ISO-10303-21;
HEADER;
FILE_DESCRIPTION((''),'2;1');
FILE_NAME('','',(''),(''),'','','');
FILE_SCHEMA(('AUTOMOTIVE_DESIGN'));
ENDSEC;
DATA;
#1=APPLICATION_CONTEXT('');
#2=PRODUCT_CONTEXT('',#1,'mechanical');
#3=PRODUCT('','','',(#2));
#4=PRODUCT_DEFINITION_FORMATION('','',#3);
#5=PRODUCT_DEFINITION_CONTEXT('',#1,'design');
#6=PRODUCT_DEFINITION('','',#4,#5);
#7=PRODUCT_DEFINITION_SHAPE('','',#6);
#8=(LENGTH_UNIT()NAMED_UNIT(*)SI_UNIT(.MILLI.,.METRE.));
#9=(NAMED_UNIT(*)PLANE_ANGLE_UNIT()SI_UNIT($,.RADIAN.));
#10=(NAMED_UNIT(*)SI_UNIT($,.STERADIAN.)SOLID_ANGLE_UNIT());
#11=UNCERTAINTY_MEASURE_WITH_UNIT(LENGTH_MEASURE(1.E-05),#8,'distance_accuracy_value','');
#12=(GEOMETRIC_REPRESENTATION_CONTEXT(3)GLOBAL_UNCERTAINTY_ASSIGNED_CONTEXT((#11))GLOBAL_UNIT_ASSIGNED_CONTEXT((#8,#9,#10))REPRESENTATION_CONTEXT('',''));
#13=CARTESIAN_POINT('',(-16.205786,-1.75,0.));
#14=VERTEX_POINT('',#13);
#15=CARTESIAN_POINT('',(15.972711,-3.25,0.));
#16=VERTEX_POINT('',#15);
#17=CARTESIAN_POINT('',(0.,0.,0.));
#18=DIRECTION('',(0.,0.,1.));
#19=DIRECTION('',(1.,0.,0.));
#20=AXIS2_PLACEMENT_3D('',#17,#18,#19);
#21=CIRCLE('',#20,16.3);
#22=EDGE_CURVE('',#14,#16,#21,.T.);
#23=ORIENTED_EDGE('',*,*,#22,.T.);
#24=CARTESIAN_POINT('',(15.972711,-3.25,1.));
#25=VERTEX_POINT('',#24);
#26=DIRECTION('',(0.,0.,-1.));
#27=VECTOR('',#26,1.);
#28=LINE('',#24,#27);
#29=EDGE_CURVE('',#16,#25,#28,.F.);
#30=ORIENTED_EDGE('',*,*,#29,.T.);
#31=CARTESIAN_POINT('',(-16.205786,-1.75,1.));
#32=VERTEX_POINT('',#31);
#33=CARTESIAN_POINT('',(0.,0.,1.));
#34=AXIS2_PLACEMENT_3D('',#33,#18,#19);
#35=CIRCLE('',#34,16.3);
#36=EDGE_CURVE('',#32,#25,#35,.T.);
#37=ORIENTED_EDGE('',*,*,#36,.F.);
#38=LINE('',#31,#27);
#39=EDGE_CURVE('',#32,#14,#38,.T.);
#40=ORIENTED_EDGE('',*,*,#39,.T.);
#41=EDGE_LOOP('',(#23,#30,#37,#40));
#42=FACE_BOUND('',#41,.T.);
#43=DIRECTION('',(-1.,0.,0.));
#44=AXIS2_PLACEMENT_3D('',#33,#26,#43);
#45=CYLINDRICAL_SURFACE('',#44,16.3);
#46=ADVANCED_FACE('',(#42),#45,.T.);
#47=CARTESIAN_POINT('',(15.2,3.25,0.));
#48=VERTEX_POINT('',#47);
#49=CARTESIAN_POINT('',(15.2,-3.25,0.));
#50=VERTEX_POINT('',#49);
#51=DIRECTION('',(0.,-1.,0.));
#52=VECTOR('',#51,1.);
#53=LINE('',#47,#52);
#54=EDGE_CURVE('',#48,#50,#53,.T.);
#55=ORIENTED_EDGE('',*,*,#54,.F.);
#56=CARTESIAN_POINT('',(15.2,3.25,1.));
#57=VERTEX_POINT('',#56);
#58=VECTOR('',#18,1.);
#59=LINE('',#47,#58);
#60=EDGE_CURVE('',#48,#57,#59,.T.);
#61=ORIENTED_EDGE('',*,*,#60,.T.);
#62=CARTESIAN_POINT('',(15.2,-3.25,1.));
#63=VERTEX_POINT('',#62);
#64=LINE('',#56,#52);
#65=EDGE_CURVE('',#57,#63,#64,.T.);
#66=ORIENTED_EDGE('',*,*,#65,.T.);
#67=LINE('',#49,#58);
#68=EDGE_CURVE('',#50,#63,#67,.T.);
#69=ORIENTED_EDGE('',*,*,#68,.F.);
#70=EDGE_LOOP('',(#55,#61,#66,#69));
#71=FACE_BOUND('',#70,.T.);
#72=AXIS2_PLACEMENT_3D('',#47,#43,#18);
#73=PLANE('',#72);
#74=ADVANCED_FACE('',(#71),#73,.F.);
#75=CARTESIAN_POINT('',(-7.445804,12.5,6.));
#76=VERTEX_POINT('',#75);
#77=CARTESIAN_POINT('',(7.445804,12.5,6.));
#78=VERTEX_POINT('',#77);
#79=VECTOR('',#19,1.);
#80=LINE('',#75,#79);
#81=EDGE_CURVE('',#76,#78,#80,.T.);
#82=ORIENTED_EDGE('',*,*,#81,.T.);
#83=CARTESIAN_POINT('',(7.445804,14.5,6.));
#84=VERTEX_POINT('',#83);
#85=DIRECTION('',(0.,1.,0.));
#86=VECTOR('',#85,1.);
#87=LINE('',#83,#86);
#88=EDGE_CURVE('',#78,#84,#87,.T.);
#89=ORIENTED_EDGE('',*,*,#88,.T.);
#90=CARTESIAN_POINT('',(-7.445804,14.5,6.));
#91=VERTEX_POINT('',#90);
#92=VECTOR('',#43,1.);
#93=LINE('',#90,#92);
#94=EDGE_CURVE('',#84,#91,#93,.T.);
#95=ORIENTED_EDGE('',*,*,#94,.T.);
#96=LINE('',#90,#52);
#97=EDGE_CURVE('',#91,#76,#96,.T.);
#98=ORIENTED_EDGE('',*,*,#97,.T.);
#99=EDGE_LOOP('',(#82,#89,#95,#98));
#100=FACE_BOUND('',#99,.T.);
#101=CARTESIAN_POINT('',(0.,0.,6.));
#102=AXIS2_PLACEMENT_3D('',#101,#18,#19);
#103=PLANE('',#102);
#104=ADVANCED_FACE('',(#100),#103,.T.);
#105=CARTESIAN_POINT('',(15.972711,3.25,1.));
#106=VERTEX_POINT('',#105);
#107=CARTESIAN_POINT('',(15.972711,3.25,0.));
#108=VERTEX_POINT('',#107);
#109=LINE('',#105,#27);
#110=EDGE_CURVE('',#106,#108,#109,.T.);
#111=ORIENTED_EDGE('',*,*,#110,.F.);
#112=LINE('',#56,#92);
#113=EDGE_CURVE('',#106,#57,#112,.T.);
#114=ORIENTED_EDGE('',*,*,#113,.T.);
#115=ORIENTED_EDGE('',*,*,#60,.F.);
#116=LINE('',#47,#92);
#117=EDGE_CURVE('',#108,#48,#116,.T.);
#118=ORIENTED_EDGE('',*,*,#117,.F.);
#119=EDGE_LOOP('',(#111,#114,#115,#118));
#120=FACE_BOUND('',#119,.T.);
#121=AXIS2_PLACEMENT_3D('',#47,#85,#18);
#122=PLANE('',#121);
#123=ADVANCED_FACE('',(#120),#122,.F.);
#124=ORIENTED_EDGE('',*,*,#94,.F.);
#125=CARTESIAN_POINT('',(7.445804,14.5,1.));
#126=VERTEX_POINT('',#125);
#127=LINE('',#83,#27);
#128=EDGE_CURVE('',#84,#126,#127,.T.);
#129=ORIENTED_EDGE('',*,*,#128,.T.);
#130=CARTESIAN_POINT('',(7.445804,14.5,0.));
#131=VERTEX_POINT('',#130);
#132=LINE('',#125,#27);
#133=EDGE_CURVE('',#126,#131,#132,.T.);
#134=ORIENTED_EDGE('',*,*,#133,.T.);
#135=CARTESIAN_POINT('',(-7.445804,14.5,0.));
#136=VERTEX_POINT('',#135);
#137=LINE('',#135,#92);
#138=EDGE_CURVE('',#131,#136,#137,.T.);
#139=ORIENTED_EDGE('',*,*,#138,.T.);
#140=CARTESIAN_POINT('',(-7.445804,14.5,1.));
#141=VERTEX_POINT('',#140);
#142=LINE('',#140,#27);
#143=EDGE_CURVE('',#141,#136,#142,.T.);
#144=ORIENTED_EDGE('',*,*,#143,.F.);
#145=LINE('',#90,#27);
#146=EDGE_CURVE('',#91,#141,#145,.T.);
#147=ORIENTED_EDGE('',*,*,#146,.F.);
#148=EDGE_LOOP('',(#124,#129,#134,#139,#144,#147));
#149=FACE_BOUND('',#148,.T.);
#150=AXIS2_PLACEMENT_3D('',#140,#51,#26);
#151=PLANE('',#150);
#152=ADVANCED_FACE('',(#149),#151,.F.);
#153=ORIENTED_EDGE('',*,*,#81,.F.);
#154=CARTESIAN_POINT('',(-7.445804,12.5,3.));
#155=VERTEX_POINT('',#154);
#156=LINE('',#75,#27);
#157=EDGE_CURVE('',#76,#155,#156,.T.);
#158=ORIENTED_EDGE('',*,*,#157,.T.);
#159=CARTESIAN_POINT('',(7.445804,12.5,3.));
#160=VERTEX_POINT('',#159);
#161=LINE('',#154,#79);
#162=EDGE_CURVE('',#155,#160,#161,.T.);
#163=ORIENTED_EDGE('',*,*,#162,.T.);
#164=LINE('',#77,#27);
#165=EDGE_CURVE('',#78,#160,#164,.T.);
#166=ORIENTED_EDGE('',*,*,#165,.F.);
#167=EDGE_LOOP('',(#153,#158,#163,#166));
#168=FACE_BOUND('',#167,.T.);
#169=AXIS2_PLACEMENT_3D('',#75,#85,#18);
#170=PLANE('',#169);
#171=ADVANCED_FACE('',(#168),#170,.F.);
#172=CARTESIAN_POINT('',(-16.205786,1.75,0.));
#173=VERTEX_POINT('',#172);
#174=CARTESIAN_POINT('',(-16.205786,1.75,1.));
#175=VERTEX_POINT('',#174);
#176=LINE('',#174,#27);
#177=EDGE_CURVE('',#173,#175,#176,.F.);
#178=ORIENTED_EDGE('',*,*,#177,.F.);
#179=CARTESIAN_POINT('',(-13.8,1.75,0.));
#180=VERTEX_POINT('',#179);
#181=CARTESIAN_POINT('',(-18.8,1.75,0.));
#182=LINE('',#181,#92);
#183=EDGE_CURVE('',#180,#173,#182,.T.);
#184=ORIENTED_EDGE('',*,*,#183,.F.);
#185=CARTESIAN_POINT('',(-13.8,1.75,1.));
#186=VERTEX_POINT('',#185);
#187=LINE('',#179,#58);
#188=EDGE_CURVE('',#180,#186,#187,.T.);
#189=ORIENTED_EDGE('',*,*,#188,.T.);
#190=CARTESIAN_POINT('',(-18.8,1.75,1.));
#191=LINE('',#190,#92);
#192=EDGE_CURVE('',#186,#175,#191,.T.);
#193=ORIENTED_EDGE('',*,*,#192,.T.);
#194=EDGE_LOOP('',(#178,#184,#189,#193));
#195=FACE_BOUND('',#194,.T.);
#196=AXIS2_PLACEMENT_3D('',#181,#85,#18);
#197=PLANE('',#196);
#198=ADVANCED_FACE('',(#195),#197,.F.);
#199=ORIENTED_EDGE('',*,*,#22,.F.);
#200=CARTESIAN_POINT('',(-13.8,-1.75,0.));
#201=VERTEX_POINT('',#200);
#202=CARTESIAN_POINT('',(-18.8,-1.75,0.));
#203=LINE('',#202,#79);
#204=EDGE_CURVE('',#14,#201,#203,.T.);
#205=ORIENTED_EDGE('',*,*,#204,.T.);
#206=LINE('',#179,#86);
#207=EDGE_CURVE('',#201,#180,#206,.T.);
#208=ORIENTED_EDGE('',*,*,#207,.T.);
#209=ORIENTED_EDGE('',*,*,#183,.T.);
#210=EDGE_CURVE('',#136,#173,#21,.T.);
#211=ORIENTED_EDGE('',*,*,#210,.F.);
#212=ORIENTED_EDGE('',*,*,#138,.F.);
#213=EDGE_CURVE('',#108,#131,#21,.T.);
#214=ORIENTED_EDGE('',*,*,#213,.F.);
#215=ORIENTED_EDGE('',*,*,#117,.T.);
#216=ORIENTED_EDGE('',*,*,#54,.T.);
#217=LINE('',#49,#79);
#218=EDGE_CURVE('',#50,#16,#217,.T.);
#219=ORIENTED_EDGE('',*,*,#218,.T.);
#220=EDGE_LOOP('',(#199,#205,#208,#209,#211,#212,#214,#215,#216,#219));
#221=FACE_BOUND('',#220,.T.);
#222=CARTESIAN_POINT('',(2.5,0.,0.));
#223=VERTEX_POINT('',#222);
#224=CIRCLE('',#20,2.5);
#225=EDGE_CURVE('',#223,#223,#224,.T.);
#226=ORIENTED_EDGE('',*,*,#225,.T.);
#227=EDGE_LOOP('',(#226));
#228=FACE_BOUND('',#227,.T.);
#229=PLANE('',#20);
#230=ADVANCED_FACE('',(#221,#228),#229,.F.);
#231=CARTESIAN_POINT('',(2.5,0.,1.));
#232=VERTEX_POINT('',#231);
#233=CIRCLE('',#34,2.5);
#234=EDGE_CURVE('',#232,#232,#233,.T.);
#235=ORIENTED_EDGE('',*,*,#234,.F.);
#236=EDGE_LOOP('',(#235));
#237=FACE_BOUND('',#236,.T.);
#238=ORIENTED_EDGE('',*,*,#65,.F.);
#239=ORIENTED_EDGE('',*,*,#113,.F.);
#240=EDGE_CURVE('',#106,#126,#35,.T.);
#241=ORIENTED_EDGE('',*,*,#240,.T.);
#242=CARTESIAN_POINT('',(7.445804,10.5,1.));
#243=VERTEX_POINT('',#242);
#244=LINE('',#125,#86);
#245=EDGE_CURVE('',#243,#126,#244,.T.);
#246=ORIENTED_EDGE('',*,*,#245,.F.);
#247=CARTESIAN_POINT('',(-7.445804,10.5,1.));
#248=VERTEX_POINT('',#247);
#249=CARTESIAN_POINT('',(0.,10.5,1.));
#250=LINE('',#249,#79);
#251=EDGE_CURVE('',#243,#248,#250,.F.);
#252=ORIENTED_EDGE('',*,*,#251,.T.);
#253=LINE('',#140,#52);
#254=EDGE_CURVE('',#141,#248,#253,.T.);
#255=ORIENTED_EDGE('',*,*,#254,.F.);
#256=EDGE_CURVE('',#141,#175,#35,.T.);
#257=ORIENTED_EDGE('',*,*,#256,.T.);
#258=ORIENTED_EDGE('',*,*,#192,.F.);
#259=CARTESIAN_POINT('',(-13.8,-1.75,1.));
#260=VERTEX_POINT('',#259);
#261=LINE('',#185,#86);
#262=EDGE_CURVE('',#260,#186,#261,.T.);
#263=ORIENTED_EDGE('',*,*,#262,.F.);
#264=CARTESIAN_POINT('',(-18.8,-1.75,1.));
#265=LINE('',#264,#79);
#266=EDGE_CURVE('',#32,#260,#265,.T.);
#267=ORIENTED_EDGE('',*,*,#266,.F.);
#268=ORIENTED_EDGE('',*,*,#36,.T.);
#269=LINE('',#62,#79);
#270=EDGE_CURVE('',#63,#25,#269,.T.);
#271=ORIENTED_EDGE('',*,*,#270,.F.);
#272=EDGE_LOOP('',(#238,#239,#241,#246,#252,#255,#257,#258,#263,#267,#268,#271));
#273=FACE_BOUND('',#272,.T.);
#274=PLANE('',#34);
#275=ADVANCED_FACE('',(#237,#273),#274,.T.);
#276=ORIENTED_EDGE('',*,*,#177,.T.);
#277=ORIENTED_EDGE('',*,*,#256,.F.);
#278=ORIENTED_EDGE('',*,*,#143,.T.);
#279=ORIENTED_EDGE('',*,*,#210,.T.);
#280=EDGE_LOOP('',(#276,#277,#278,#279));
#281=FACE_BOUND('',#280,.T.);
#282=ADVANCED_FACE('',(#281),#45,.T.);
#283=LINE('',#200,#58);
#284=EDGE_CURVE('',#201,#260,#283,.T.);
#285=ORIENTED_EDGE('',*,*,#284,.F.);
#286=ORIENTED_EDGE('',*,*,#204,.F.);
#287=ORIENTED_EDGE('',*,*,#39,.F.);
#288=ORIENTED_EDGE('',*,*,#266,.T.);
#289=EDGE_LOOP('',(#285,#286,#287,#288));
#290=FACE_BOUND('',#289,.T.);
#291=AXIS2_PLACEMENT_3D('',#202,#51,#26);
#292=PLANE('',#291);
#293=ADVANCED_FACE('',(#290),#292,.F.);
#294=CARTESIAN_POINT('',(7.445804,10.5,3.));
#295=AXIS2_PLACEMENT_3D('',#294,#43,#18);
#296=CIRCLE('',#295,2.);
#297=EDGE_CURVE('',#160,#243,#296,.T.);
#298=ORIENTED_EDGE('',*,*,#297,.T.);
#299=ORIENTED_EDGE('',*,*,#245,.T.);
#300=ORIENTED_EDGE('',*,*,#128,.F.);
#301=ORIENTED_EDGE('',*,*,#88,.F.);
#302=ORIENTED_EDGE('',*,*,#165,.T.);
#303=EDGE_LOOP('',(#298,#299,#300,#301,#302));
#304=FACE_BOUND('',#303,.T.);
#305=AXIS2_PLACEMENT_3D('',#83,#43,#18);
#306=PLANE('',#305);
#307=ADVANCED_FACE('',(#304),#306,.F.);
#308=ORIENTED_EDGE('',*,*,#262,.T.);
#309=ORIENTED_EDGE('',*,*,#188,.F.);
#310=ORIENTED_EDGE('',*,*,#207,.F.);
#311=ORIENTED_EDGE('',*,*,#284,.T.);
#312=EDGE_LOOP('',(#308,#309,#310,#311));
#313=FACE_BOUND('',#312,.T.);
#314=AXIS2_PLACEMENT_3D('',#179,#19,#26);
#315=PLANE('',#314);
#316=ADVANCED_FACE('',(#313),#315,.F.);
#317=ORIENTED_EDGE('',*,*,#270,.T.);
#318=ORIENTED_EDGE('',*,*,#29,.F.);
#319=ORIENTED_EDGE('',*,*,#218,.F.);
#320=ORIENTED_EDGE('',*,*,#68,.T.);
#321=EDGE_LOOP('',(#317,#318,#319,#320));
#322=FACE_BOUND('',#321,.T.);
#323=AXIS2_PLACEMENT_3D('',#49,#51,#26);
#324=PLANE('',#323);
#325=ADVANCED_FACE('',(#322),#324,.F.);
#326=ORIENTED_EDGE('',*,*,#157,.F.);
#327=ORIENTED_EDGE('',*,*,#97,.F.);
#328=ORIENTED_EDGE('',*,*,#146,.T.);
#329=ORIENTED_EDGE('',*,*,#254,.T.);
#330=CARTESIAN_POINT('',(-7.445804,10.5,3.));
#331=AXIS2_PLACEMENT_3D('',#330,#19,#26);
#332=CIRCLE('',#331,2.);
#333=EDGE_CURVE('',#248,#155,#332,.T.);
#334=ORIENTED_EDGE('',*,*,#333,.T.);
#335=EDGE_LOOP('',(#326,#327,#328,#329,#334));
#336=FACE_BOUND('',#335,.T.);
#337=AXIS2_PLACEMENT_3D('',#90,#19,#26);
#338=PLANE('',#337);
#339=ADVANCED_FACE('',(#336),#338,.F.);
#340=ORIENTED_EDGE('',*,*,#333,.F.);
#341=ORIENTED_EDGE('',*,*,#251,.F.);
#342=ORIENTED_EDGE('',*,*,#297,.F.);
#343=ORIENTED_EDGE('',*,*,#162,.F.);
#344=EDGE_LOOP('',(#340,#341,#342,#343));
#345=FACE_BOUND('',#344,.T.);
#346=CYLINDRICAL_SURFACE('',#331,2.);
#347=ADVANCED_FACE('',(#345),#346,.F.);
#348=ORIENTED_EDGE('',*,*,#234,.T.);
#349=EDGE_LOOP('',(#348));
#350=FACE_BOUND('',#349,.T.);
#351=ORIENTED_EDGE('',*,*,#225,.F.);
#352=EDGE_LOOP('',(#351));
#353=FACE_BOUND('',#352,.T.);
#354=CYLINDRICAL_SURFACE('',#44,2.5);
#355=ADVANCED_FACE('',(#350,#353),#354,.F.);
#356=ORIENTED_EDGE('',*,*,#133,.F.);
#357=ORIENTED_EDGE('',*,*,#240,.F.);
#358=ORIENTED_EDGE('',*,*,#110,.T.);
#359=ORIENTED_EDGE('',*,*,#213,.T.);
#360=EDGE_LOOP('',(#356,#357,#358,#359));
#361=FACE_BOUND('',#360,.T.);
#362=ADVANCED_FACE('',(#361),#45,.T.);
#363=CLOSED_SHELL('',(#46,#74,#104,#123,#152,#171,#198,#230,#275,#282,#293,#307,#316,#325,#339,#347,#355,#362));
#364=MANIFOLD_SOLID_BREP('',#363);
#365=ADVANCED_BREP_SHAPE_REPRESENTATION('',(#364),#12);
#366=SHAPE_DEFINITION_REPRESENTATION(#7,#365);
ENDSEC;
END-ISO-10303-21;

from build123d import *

# Parameters (mm, degrees)
SKETCH_1_R          = 2.5
EXTRUDE_1_DEPTH     = 1
SKETCH_2_W          = 5
SKETCH_2_H          = 3.5
SKETCH_2_W_2        = 2
SKETCH_2_H_2        = 6.5
CUT_EXTRUDE_1_DEPTH = 2
SKETCH_3_W          = 14.891608376
SKETCH_3_H          = 2
EXTRUDE_2_DEPTH     = 5
FILLET_1_R          = 2


with BuildPart() as part:
    # 草图1 → 凸台-拉伸1 (new body)
    with BuildSketch(Plane.XY):
        with BuildLine():
            Line((-7.445804188, 14.5), (7.445804188, 14.5))
            ThreePointArc((7.445804188, 14.5), (0, -16.3), (-7.445804188, 14.5))
        make_face()
        Circle(SKETCH_1_R, mode=Mode.SUBTRACT)
    extrude(amount=EXTRUDE_1_DEPTH)

    # 草图2 → 切除-拉伸1 (cut, through all)
    with BuildSketch(Plane.XY.offset(1)):
        with Locations((-16.3, 0)):
            Rectangle(SKETCH_2_W, SKETCH_2_H)
        with Locations((16.2, 0)):
            Rectangle(SKETCH_2_W_2, SKETCH_2_H_2)
    extrude(amount=-CUT_EXTRUDE_1_DEPTH, mode=Mode.SUBTRACT)

    # 草图3 → 凸台-拉伸2 (add)
    with BuildSketch(Plane.XY.offset(1)):
        with Locations((0, 13.5)):
            Rectangle(SKETCH_3_W, SKETCH_3_H)
    extrude(amount=EXTRUDE_2_DEPTH)

    # 圆角1
    fillet_1_edges = [part.edges().sort_by_distance(p)[0] for p in [
        (0, 12.5, 1),
    ]]
    fillet(fillet_1_edges, radius=FILLET_1_R)


solid = part.part
